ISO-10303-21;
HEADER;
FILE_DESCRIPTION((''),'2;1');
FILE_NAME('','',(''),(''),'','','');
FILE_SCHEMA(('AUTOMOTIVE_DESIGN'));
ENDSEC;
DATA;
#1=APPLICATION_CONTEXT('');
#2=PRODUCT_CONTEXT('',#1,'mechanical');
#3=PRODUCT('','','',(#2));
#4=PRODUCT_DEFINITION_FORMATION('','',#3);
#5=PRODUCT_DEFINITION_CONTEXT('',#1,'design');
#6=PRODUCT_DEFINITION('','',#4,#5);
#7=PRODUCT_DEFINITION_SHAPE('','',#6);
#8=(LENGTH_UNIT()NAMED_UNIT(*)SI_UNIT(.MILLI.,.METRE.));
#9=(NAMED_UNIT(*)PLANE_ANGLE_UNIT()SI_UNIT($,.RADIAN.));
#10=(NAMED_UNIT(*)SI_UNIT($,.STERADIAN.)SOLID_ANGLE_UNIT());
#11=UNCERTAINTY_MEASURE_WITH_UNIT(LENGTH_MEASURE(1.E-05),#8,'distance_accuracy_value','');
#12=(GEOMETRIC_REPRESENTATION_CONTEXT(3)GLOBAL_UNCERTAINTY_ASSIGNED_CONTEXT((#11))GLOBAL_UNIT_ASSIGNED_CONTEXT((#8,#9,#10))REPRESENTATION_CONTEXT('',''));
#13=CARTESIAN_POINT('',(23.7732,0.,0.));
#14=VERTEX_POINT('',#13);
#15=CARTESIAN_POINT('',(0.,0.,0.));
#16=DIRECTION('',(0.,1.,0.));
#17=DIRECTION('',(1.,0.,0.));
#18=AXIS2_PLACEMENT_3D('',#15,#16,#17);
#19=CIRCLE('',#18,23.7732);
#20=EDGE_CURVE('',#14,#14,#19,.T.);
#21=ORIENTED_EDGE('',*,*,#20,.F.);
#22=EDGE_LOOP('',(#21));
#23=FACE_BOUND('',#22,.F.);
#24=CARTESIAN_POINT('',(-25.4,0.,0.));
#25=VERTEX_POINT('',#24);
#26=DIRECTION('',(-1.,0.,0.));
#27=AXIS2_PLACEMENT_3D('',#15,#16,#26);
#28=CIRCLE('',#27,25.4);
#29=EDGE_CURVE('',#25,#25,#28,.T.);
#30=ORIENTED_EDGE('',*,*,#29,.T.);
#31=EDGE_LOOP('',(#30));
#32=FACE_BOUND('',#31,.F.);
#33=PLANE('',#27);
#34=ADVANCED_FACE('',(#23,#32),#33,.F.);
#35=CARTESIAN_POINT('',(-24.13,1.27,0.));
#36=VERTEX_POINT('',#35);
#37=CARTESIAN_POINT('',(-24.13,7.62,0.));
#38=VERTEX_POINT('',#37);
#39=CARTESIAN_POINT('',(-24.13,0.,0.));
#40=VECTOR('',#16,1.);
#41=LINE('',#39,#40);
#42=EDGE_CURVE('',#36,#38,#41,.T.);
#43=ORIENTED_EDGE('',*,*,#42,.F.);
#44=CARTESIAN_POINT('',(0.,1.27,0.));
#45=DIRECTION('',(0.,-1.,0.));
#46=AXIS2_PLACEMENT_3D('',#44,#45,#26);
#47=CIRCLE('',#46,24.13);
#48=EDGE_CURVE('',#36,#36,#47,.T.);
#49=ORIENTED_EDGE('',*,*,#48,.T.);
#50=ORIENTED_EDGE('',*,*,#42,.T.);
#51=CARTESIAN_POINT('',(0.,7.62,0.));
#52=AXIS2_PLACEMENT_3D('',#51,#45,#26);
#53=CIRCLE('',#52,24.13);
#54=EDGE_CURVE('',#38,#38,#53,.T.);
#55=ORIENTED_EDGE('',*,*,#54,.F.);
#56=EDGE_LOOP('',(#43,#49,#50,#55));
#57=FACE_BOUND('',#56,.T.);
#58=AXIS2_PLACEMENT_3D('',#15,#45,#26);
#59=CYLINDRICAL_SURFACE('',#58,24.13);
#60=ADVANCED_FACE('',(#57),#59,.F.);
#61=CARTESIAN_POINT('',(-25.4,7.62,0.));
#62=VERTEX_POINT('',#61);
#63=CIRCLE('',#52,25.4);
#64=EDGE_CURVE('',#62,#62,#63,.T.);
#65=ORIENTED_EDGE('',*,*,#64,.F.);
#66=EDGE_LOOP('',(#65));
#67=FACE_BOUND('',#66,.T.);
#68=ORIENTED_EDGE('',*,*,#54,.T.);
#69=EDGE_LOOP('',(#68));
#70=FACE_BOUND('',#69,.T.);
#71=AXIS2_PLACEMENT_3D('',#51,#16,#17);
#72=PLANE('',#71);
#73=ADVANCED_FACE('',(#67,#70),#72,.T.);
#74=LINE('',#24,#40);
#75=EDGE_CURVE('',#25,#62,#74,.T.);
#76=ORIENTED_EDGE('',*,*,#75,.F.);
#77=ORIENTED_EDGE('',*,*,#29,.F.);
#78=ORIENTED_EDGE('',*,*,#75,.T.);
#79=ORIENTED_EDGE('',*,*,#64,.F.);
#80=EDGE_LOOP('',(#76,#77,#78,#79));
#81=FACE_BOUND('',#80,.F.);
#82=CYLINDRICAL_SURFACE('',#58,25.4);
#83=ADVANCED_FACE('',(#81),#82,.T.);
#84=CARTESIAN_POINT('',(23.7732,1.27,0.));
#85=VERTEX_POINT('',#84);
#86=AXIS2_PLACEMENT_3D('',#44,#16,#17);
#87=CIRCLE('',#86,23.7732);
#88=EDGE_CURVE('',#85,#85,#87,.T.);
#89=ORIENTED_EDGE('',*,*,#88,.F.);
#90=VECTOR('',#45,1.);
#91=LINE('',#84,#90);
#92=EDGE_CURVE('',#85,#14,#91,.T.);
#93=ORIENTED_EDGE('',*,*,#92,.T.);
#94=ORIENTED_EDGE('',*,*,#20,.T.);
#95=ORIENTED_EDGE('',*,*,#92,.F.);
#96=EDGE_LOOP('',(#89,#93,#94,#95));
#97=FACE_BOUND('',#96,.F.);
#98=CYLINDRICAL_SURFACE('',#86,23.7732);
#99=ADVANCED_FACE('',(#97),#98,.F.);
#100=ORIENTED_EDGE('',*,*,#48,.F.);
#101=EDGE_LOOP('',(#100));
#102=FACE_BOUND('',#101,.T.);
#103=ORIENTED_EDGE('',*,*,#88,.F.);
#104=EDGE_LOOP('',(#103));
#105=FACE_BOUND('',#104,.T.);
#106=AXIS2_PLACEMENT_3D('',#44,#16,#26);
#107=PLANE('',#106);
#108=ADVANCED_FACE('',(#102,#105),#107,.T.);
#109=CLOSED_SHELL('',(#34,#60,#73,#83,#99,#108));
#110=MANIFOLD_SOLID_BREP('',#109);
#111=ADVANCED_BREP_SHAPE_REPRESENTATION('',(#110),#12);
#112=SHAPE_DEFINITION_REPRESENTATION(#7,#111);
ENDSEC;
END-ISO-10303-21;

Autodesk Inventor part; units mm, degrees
ref_plane "YZ Plane" through (0, 0, 0) normal (1, 0, 0) x (0, 1, 0)
ref_plane "XZ Plane" through (0, 0, 0) normal (0, 1, 0) x (-1, 0, 0)
ref_plane "XY Plane" through (0, 0, 0) normal (0, 0, 1) x (1, 0, 0)
sketch "Sketch1" plane through (0, 0, 0) normal (0, 1, 0) x (-1, 0, 0)
  circle A0 centre (0, 0) radius 25.4
  dimension "d0" = 50.8
extrude "Extrusion1" add sketch "Sketch1" along normal blind 17.78
shell "Shell1" thickness 1.27 removed faces 1 at (7.2508, 17.78, -1.9085)
sketch "Sketch2" plane through (0, 0, 0) normal (0, -1, 0) x (1, 0, 0)
  circle A0 centre (0, 0) radius 22.86
  dimension "d4" = 45.72
extrude "Extrusion2" cut sketch "Sketch2" against normal blind 7.62
sketch "Sketch4" plane through (0, 17.78, 0) normal (0, 1, 0) x (1, 0, 0)
  circle A0 centre (0, 0) radius 25.4
  circle A1 centre (0, 0) radius 24.13
extrude "Extrusion4" cut sketch "Sketch4" against normal blind 10.16
sketch "Sketch5" plane through (0, 1.27, 0) normal (0, 1, 0) x (1, 0, 0)
  circle A0 centre (0, 0) radius 23.7732
  circle A1 centre (0, 0) radius 22.86
extrude "Extrusion5" cut sketch "Sketch5" against normal blind 7.62
properties part number "Adapter"
